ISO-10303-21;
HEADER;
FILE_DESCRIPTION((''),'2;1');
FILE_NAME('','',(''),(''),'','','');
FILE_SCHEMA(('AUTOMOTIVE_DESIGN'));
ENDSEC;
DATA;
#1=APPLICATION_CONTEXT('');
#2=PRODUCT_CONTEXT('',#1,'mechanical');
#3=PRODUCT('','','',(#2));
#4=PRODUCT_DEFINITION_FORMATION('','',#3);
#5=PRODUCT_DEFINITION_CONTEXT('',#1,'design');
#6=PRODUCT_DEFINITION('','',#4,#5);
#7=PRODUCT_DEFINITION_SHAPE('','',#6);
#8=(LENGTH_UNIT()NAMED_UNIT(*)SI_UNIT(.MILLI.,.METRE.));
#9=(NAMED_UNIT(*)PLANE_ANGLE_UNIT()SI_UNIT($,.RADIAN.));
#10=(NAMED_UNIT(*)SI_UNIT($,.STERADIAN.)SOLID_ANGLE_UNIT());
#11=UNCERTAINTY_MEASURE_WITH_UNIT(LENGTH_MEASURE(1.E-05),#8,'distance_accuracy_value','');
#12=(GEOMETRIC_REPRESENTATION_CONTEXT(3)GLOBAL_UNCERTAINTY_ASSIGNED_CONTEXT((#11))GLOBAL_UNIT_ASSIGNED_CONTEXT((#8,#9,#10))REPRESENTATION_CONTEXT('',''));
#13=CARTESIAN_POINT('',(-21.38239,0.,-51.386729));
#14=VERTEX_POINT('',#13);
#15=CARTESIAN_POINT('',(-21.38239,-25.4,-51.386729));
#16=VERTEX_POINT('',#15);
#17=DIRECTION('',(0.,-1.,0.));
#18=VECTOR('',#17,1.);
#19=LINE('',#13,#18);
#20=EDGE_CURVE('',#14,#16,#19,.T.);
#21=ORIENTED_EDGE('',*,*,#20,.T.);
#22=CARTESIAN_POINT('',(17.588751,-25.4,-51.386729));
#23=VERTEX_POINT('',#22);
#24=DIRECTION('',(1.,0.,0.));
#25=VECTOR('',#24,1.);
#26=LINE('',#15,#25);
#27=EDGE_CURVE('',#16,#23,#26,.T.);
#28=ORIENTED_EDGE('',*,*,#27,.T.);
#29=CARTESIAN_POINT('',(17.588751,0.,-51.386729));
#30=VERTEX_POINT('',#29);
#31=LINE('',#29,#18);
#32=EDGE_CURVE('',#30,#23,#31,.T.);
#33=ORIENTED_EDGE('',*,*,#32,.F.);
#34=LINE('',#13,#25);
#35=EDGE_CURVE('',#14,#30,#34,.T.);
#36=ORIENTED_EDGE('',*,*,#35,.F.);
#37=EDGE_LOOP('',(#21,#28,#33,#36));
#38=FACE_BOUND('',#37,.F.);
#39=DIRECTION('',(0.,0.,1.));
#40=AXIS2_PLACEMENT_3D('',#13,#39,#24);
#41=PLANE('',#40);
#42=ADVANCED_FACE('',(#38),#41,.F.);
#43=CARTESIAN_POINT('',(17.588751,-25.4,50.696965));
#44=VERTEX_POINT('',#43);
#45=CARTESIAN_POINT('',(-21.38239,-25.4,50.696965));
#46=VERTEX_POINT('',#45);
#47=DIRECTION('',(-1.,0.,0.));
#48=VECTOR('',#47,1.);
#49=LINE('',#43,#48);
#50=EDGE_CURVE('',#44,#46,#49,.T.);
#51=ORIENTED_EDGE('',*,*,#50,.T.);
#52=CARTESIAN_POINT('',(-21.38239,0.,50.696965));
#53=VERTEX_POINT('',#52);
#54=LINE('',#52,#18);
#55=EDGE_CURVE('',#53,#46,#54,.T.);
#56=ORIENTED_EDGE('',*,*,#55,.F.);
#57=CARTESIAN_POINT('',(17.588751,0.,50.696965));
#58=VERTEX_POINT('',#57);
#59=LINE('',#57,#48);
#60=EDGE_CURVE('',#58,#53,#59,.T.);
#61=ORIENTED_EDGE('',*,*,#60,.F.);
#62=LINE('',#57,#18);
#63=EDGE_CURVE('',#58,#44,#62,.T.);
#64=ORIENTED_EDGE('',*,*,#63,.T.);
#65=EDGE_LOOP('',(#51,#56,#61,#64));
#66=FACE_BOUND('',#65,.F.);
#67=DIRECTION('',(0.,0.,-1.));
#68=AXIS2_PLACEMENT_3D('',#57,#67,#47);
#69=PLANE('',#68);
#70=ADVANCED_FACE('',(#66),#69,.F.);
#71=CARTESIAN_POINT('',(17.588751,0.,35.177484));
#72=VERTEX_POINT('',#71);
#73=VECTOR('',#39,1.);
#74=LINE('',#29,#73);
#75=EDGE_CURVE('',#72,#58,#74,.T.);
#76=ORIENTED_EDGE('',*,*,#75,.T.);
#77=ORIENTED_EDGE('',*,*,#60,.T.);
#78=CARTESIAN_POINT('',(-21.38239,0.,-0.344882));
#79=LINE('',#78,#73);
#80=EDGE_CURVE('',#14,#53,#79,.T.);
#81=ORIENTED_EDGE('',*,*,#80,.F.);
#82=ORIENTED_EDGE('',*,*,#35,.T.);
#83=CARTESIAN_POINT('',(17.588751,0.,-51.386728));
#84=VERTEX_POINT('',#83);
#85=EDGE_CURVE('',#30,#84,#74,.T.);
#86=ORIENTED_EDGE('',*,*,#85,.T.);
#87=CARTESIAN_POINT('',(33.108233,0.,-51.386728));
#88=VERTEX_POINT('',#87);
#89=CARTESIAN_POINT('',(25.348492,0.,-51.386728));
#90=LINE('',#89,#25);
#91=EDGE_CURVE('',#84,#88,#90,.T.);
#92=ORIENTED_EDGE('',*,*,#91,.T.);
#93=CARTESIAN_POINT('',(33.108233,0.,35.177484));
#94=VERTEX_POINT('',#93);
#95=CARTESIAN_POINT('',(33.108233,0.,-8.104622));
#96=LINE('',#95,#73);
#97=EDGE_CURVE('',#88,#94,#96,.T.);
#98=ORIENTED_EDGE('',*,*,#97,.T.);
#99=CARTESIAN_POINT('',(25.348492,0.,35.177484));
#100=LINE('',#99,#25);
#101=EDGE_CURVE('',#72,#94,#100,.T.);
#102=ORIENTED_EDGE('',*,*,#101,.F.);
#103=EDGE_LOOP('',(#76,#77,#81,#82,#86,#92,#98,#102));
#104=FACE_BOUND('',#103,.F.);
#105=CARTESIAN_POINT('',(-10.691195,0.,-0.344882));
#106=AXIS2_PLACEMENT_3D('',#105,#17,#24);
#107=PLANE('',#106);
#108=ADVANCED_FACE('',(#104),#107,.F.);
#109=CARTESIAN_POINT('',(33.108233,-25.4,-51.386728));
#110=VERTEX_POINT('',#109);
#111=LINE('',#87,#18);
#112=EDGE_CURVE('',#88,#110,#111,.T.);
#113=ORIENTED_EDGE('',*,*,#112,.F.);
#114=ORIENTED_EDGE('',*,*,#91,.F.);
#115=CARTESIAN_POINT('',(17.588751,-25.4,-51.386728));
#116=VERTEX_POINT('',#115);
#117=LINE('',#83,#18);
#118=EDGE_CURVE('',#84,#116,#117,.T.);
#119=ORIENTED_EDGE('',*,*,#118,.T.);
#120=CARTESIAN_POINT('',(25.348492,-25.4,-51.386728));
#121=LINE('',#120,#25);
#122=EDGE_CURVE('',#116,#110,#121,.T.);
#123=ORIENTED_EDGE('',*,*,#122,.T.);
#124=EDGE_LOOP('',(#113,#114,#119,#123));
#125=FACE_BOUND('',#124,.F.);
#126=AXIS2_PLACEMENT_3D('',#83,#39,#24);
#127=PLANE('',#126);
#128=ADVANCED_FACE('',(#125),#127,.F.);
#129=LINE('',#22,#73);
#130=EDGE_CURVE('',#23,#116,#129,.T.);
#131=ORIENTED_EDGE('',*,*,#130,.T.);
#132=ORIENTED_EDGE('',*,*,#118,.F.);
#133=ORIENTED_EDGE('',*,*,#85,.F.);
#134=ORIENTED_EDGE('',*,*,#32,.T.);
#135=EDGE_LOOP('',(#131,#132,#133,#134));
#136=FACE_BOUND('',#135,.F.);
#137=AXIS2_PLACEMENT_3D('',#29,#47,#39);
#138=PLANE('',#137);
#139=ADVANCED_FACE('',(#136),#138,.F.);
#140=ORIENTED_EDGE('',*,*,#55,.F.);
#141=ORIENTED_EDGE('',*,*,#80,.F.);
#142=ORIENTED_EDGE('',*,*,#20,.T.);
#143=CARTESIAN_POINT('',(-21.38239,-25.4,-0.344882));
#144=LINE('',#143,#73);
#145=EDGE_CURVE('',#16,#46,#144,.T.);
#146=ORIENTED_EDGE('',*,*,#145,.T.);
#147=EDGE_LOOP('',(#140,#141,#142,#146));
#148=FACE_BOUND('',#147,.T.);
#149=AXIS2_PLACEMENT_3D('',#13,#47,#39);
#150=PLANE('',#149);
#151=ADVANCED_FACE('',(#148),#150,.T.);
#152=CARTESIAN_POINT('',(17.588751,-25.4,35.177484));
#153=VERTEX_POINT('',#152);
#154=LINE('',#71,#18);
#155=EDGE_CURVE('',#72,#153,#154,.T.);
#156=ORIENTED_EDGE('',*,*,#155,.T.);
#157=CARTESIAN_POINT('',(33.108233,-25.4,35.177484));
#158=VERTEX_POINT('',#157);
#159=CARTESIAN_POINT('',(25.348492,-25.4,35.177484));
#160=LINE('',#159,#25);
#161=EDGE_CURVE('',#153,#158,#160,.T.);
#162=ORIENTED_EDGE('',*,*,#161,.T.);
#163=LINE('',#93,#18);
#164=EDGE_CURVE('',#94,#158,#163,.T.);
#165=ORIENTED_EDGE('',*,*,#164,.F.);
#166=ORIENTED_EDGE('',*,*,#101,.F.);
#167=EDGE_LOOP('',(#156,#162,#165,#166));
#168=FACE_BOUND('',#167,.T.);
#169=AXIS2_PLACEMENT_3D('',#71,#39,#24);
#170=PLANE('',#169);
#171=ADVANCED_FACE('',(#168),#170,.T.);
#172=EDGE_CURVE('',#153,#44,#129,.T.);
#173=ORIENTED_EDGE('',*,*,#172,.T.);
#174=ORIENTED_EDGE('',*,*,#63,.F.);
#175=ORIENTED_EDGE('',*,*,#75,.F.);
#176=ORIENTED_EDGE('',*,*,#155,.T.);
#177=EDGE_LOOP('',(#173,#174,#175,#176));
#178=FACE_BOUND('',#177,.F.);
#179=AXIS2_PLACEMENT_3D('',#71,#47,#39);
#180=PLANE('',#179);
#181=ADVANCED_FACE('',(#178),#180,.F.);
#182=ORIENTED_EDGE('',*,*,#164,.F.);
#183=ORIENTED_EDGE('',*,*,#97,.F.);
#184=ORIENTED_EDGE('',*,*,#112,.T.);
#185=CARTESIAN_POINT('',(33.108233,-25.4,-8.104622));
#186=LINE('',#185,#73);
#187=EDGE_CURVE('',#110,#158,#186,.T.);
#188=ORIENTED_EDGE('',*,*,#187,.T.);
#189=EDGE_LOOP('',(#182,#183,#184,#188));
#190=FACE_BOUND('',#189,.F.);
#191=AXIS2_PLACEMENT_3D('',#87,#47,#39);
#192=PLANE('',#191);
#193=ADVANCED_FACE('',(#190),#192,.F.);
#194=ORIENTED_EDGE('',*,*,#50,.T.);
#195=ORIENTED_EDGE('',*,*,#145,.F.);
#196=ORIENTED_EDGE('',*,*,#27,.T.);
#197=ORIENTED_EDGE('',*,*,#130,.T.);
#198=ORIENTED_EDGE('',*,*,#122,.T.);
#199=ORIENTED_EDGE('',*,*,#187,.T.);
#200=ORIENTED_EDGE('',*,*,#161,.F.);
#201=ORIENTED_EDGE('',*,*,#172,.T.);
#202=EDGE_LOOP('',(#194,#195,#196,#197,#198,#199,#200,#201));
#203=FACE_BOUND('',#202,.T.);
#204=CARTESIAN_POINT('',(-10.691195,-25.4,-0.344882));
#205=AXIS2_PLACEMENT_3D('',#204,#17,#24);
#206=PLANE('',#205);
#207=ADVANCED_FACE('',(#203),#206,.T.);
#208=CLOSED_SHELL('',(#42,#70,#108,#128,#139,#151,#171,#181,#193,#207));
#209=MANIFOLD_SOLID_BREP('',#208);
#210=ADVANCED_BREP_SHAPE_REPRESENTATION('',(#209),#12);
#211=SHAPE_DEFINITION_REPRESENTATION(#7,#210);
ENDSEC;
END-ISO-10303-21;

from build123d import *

# Parameters (mm, degrees)
F0_W     = 21.38239
F0_H     = 102.083694
F0_W_2   = 15.519483
F0_H_2   = 86.564213
F1_DEPTH = 25.4


with BuildPart() as f1:
    # F0 (on Front) → F1 (new body)
    with BuildSketch(Plane.XZ):
        with Locations((-10.691195, -0.344882)):
            Rectangle(F0_W, F0_H)
        Polygon((0, 50.696965), (0, -51.386729), (17.588751, -51.386729), (17.588751, 35.177484), (17.588751, 50.696965), align=None)
        with Locations((25.348492, -8.104622)):
            Rectangle(F0_W_2, F0_H_2)
    extrude(amount=F1_DEPTH)


solid = f1.part
